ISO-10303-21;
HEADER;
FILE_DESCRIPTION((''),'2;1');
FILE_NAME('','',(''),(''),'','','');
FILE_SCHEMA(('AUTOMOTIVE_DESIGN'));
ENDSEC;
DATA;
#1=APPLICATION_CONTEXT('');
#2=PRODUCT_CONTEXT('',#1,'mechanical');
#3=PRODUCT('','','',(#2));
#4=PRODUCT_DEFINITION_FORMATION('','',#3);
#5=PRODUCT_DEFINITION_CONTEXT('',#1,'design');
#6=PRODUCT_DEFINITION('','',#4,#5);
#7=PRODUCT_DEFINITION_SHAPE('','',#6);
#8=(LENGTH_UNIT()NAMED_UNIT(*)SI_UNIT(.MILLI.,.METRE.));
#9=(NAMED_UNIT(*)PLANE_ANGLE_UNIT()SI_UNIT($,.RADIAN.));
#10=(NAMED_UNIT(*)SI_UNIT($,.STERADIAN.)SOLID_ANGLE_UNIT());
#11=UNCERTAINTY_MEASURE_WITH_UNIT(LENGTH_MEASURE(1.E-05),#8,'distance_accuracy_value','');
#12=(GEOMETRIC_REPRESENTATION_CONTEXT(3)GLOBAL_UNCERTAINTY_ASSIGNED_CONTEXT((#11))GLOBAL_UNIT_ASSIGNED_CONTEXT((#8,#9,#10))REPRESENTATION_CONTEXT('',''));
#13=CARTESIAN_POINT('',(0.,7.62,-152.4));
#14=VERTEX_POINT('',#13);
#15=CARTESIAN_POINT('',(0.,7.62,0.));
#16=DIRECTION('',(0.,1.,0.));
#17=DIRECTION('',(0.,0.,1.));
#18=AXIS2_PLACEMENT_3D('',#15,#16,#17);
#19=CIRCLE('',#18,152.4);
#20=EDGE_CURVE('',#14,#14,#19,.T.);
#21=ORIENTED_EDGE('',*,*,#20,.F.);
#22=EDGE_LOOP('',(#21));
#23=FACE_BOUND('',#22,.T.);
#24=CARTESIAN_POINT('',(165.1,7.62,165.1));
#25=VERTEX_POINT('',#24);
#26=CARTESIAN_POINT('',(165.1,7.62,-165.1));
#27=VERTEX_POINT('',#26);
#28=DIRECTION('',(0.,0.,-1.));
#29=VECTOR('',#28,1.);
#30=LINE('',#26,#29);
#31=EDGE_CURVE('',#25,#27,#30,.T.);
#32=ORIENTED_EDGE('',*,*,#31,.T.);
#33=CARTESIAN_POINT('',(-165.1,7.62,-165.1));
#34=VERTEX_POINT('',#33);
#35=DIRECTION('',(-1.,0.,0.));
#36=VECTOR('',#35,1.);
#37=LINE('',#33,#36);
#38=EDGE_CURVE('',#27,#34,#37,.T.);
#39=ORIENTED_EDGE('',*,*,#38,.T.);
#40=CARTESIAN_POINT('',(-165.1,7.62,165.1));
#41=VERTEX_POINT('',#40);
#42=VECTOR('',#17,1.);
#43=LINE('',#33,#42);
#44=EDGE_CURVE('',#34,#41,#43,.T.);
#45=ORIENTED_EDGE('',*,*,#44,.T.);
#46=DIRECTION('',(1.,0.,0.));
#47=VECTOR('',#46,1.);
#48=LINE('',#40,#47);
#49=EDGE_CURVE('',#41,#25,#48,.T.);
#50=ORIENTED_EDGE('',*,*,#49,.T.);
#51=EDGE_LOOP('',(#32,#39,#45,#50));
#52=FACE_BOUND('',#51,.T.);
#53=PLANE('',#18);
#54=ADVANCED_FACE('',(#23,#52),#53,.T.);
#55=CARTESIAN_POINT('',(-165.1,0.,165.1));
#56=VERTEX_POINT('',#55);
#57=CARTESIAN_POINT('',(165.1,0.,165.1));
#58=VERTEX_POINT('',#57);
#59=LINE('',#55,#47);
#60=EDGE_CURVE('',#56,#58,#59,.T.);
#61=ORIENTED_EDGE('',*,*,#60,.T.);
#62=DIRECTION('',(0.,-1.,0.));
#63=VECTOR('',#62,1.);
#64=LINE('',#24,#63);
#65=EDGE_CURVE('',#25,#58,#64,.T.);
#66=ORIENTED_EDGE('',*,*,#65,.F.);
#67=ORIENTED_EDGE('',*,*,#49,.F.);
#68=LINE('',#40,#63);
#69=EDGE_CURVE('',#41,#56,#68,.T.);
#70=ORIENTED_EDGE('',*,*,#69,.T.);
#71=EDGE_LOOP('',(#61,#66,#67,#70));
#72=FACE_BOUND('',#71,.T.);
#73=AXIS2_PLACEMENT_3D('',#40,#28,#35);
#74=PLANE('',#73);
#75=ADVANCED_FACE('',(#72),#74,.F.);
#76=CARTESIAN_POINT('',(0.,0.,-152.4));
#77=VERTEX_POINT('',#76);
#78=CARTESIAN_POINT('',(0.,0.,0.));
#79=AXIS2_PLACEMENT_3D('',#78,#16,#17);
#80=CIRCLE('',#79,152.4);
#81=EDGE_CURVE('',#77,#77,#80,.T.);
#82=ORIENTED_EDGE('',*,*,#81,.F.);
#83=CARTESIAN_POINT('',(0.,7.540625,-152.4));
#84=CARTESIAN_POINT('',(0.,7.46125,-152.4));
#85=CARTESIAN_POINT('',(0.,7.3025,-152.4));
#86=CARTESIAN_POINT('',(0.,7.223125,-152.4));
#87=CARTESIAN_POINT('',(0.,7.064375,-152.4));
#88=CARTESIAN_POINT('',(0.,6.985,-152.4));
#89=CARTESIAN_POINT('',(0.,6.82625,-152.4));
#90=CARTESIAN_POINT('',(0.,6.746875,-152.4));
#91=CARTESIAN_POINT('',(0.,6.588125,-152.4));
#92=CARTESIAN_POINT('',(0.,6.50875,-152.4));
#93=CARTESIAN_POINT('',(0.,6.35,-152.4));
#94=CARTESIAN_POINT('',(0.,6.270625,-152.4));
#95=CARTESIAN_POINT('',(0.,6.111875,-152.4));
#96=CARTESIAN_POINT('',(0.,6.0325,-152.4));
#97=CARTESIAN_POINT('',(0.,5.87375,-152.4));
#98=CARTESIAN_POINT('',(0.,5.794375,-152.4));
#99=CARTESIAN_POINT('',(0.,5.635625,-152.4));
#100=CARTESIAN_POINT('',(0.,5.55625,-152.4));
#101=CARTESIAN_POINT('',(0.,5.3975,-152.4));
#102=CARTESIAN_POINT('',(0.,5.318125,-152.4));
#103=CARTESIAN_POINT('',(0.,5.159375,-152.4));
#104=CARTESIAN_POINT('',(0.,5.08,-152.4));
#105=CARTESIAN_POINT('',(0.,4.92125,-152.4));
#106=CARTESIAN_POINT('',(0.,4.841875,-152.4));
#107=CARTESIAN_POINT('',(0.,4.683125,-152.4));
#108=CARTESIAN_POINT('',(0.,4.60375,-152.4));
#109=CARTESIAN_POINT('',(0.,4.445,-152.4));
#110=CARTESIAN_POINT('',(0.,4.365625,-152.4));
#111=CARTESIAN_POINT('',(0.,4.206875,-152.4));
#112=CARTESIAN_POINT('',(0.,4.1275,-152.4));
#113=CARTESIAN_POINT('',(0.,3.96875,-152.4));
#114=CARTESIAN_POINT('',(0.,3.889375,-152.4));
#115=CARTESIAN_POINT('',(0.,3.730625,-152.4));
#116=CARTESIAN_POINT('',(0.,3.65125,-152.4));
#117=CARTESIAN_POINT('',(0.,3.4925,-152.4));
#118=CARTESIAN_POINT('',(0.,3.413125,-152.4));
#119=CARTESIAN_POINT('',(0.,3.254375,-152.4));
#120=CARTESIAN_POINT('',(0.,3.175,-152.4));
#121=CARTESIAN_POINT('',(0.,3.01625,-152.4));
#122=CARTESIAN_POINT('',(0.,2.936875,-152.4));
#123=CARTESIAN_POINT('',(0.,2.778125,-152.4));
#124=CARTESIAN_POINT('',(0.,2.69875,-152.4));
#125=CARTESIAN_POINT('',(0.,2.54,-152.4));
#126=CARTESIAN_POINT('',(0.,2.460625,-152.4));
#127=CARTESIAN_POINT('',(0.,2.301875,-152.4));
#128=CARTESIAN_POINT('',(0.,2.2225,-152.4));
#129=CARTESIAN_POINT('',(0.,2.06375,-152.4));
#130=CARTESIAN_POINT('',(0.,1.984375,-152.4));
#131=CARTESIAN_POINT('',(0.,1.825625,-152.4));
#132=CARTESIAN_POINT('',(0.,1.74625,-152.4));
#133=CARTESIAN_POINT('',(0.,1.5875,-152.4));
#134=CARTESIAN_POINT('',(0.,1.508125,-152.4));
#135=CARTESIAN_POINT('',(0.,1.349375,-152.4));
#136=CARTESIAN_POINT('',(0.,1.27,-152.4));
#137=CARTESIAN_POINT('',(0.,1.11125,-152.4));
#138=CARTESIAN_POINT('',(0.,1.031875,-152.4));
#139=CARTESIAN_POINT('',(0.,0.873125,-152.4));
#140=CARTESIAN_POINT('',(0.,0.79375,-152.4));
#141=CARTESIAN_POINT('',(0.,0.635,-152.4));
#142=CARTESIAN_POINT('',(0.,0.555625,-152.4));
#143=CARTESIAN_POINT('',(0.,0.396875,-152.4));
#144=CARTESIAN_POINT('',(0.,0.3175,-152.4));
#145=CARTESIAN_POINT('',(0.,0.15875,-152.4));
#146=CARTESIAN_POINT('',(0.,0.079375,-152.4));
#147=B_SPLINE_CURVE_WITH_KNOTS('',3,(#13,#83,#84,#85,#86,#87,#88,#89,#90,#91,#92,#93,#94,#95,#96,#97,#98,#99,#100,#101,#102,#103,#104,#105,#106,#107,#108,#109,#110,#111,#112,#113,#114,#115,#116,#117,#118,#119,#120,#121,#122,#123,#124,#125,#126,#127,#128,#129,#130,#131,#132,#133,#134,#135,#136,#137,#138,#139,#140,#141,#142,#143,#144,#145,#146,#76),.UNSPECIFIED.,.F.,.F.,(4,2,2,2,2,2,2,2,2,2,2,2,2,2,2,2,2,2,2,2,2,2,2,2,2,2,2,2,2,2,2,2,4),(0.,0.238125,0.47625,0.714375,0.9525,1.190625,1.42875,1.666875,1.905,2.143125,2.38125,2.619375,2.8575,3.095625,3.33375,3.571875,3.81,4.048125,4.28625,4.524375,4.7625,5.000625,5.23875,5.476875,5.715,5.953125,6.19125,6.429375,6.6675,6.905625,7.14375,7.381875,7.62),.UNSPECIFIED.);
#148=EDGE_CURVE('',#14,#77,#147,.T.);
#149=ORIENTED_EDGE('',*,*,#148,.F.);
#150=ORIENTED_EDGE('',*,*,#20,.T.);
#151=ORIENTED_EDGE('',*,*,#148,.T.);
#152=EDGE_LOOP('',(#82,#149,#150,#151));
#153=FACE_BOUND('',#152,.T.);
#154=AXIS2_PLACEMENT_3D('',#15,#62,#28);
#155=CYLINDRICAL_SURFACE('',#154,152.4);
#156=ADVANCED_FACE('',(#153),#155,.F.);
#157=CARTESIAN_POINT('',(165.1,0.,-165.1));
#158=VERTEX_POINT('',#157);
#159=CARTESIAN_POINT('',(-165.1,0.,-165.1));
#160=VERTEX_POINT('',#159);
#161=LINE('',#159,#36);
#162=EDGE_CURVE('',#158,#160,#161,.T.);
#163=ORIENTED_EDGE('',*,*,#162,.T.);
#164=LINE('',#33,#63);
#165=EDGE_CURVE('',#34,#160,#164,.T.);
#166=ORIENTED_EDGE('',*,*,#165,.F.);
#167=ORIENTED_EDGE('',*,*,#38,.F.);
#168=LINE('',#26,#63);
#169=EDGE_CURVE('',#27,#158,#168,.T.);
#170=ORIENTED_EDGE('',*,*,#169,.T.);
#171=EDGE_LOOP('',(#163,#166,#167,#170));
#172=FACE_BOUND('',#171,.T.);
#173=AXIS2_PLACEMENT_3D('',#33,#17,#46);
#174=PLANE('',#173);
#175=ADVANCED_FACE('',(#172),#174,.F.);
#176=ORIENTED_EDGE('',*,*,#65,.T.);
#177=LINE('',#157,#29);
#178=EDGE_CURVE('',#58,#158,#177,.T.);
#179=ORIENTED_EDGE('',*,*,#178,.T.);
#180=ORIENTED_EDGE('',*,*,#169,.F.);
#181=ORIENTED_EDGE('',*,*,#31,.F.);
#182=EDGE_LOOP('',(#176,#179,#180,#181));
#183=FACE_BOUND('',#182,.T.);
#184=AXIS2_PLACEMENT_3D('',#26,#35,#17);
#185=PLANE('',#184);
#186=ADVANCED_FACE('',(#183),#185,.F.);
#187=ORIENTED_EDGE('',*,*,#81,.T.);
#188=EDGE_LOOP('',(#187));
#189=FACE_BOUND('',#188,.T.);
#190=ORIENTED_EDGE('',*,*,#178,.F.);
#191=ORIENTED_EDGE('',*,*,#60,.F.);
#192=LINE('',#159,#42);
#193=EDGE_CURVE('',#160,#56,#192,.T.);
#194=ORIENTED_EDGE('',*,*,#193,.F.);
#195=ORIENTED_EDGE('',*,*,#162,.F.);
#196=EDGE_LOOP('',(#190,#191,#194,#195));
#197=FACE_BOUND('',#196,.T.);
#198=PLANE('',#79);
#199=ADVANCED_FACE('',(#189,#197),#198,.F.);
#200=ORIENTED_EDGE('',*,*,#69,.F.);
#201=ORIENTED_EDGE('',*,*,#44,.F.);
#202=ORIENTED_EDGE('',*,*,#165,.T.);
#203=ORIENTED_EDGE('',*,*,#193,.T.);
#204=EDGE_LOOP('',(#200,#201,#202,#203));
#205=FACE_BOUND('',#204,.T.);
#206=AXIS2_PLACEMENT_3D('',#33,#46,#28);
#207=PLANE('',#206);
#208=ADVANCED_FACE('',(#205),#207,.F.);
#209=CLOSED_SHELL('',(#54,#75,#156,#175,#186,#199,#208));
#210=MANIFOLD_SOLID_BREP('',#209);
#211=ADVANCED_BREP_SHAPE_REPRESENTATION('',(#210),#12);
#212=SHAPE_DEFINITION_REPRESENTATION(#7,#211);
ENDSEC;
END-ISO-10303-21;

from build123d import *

# Parameters (mm, degrees)
SKETCH1_W           = 330.2
SKETCH1_H           = 330.2
SKETCH1_R           = 152.4
BOSS_EXTRUDE1_DEPTH = 7.62


with BuildPart() as part:
    # Sketch1 → Boss-Extrude1 (new body)
    with BuildSketch(Plane(origin=(0, 0, 0), x_dir=(1, 0, 0), z_dir=(0, 1, 0))):
        Rectangle(SKETCH1_W, SKETCH1_H)
        with Locations(Location((0, 0, 0), (0, 0, 90))):
            Circle(SKETCH1_R, mode=Mode.SUBTRACT)
    extrude(amount=BOSS_EXTRUDE1_DEPTH)


solid = part.part
